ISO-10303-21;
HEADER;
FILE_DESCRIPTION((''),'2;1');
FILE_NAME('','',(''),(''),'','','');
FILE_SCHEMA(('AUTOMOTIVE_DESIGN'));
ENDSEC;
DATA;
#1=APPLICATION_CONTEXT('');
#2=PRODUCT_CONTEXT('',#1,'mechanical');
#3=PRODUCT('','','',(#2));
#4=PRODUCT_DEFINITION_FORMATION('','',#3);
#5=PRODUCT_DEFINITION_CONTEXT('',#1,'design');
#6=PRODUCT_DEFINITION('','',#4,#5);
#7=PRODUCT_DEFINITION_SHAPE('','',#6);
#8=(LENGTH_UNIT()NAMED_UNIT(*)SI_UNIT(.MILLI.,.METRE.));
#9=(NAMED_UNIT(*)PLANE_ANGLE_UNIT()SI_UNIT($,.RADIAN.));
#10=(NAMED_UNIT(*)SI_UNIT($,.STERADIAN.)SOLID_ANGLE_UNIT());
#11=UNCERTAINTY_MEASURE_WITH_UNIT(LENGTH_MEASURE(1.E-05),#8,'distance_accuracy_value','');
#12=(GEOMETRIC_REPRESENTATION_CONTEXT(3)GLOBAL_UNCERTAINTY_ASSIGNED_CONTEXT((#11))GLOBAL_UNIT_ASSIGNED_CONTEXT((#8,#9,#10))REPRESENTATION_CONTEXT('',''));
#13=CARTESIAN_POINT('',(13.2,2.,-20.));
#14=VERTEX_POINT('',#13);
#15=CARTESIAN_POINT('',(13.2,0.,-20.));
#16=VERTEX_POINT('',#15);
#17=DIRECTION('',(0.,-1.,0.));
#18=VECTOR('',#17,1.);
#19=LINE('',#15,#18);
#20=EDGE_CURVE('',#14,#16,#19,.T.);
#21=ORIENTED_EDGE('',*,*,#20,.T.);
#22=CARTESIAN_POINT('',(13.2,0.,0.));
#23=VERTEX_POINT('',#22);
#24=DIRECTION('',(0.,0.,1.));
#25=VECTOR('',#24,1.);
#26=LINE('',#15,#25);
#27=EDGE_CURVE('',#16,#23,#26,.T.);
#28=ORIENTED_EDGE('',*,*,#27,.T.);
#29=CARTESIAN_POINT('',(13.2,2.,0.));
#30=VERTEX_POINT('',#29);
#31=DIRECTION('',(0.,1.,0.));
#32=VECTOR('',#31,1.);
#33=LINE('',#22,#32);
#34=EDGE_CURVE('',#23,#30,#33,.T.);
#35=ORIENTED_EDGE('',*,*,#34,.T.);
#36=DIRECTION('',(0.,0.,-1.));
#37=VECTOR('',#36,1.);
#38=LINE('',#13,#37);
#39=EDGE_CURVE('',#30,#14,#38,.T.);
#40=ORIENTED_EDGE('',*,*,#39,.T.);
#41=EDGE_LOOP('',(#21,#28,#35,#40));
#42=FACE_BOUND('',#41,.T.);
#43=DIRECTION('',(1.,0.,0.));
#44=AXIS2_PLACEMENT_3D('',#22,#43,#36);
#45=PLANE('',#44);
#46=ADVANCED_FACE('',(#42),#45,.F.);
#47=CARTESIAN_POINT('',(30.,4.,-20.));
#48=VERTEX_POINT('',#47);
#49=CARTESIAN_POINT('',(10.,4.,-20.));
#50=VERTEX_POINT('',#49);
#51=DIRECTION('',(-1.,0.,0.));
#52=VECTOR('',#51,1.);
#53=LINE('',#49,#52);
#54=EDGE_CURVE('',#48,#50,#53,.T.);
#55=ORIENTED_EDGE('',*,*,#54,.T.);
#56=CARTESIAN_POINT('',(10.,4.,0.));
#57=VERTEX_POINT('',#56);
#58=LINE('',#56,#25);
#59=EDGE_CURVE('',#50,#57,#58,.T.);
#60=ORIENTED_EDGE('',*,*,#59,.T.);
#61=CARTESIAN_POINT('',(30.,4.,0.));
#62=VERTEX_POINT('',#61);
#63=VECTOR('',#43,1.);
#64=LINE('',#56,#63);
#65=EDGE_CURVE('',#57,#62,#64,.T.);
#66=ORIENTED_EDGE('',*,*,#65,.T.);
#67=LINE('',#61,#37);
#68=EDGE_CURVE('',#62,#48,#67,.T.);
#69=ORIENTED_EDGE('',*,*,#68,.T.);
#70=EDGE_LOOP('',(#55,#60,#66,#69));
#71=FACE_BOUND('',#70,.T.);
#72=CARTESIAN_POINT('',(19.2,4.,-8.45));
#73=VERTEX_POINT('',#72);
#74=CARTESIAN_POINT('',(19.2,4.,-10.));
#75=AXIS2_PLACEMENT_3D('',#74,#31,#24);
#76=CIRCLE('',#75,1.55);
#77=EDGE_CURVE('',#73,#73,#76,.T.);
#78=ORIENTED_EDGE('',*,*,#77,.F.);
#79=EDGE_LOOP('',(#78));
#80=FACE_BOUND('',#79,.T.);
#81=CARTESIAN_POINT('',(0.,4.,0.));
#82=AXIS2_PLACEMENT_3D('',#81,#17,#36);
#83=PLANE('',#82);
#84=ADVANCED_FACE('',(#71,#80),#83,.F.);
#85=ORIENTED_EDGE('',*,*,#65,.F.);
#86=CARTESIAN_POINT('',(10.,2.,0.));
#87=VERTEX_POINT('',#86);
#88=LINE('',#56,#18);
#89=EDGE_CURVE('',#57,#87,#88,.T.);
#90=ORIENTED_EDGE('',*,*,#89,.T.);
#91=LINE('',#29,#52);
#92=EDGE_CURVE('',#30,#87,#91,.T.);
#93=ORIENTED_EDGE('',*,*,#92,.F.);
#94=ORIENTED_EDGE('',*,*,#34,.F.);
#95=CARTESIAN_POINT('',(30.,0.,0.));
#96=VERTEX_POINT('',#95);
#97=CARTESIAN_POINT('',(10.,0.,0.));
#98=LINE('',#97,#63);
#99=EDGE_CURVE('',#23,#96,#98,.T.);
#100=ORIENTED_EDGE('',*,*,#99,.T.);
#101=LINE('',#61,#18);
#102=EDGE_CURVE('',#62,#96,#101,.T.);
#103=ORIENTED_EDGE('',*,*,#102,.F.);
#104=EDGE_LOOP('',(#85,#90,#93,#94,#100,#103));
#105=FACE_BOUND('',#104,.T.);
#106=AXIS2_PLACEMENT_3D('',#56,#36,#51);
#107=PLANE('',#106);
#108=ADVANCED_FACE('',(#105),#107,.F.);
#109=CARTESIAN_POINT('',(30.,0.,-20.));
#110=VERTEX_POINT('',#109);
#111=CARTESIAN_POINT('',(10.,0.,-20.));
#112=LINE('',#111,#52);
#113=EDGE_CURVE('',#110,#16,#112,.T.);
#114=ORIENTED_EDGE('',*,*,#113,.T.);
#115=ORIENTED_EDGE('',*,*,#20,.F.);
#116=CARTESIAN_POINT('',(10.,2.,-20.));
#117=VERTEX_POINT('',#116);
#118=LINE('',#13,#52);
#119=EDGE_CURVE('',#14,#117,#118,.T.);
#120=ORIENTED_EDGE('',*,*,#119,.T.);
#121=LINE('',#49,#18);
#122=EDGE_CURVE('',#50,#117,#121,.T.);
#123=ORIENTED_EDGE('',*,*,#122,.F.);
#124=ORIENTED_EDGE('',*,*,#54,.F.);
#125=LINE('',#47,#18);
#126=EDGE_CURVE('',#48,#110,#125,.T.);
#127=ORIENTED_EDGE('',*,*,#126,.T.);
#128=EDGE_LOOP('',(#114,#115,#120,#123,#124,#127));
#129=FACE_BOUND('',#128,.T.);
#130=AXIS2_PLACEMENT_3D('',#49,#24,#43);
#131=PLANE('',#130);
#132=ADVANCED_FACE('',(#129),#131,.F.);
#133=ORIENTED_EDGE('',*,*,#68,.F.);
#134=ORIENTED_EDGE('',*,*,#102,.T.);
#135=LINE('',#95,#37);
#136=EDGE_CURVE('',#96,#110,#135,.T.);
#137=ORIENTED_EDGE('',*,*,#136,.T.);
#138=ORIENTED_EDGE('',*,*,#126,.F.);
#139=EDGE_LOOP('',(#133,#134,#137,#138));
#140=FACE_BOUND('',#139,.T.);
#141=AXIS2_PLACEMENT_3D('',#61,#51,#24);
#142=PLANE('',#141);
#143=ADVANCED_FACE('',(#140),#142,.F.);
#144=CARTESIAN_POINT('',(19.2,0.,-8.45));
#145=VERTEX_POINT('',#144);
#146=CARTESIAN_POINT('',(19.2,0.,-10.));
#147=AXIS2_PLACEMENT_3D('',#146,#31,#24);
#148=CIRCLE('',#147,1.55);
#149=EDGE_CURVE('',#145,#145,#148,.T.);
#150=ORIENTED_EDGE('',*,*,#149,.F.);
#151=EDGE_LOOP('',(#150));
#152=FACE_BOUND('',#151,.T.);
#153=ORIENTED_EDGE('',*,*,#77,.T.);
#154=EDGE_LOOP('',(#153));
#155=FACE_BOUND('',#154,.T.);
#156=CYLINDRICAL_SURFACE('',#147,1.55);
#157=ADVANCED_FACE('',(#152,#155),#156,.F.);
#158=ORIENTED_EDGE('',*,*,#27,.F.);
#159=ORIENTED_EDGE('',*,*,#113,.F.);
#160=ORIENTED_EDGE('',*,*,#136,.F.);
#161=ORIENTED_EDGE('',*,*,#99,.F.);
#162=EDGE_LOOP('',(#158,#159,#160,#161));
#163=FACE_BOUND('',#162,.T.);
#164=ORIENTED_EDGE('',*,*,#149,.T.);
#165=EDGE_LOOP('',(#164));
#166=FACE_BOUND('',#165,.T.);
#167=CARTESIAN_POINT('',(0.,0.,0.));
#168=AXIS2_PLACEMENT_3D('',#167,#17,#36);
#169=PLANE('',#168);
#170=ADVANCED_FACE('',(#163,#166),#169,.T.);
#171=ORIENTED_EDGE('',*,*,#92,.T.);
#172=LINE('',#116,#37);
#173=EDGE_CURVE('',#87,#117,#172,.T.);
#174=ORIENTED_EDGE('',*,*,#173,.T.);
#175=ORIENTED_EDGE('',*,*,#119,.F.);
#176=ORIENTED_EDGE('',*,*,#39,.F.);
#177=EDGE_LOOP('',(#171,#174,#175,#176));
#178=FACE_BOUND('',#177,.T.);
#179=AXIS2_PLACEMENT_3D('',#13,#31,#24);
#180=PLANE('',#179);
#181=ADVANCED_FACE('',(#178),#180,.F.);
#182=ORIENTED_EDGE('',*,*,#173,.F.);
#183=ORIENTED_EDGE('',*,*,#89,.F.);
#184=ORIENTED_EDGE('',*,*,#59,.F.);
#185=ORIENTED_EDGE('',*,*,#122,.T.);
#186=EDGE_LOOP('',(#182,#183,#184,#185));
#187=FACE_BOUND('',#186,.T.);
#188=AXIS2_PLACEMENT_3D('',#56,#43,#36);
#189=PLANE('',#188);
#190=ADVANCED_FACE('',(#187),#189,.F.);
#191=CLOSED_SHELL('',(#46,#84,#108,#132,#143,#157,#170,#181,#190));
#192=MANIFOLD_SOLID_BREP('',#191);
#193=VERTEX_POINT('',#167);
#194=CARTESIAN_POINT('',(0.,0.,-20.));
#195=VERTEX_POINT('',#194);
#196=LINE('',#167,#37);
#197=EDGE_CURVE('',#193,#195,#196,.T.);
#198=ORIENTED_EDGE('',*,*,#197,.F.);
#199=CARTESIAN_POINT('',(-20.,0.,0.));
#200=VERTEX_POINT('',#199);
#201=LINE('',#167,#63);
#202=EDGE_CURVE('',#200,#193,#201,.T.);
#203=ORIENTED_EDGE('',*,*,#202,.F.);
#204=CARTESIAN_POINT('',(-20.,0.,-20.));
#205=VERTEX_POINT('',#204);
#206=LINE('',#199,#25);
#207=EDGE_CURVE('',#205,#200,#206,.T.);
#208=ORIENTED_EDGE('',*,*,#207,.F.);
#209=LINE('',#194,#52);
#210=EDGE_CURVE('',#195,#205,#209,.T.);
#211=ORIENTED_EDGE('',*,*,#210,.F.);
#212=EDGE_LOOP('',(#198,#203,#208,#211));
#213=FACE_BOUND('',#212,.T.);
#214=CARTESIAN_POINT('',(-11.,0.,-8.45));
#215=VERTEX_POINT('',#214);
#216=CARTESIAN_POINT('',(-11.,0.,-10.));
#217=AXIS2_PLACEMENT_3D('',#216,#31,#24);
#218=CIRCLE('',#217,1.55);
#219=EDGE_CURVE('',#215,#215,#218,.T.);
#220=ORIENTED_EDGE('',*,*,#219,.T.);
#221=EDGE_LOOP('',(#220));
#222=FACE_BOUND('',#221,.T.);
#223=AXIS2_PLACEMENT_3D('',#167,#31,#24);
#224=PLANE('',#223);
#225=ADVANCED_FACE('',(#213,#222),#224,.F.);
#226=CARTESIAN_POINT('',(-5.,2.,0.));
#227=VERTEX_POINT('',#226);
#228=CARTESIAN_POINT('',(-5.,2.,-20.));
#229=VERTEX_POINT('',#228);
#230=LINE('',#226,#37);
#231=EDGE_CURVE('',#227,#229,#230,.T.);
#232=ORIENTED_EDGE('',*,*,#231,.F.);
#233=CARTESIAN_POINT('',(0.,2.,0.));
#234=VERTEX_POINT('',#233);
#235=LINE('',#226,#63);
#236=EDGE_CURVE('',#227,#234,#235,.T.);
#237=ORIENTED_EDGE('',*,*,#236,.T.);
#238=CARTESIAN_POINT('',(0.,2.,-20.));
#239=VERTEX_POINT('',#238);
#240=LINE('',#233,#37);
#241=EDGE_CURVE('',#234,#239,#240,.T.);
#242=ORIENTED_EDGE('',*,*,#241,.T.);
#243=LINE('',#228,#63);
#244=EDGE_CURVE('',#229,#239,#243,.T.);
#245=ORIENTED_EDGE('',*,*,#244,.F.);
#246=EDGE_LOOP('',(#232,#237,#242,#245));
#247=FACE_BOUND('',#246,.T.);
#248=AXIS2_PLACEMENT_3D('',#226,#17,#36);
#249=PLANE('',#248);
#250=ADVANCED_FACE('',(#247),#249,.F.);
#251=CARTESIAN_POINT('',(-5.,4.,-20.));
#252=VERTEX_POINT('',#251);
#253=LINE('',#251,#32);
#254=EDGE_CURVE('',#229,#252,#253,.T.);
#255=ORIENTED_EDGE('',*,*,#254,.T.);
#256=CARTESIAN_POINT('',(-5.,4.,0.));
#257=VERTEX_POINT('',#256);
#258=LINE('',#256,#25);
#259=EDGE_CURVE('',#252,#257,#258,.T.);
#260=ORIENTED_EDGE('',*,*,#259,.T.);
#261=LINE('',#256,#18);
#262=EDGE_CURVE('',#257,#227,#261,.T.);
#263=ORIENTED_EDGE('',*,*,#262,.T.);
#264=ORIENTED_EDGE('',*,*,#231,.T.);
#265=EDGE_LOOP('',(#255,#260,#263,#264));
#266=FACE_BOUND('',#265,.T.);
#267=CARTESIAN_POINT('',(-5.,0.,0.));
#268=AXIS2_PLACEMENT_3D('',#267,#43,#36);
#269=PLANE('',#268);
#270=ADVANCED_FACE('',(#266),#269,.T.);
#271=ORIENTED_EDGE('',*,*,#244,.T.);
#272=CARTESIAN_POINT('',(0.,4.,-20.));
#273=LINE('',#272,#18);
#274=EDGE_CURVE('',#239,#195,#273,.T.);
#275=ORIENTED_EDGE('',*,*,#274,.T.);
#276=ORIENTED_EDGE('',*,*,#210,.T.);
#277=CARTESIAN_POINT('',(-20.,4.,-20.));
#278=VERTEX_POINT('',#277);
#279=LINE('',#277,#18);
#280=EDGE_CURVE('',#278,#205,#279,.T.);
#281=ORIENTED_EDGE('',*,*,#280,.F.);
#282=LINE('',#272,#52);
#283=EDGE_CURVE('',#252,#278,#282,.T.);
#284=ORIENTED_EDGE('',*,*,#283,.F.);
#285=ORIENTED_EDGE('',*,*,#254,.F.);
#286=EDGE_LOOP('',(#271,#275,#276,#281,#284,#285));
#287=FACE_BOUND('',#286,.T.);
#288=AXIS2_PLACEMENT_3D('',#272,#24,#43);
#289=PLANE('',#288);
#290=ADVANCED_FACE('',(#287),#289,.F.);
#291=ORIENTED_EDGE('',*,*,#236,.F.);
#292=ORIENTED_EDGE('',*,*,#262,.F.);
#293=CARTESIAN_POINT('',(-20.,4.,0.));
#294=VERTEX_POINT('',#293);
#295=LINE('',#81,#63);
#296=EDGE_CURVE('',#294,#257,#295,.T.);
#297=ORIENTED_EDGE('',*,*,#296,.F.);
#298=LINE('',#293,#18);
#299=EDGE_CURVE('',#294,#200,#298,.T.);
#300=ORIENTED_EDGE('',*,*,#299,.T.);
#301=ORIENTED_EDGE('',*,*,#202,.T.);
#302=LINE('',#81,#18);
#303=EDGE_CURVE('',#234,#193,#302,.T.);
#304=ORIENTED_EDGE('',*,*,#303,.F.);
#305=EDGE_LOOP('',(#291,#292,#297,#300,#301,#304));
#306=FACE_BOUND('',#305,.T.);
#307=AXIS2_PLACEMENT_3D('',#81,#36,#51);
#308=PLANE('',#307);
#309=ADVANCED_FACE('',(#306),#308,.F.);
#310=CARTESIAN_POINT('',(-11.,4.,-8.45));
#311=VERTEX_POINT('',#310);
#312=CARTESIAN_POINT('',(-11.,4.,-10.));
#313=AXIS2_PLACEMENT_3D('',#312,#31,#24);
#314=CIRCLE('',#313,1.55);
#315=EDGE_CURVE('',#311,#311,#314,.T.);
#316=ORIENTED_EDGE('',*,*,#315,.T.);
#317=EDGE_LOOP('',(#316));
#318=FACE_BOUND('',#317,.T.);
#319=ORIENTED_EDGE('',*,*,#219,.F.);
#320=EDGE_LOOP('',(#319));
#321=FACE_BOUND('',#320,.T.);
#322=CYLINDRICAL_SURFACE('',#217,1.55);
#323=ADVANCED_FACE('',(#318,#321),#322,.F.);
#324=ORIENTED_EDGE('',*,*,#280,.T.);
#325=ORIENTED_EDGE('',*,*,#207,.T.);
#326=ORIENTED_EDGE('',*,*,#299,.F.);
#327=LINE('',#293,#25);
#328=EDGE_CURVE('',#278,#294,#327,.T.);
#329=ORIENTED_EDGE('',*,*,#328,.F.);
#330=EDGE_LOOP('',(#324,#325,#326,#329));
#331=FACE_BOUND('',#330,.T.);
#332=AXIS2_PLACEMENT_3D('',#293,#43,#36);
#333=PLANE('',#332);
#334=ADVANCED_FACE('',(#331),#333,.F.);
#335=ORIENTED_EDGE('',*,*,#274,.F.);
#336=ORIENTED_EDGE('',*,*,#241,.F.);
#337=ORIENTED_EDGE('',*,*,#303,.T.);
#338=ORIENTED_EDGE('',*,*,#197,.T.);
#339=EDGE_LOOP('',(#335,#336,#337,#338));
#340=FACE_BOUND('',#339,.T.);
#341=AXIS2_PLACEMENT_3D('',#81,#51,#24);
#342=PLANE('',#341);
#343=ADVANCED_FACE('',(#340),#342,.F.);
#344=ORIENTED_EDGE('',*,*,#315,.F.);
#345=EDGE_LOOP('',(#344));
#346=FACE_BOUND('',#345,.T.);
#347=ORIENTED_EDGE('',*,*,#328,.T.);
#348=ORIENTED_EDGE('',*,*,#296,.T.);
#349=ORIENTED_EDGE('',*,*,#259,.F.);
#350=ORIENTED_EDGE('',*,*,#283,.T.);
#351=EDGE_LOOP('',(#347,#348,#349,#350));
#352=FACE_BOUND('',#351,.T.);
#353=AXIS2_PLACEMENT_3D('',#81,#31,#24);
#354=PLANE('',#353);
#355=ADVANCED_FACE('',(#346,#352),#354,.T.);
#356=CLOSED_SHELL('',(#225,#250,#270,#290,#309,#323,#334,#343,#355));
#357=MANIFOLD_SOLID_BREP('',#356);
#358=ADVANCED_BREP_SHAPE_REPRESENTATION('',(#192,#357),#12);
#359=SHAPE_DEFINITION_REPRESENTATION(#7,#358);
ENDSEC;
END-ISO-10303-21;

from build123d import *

# Parameters (mm, degrees)
SKETCH1_W             = 20
SKETCH1_H             = 20
BOSS_EXTRUDE1_DEPTH   = 4
BOSS_EXTRUDE1_2_DEPTH = 4
SKETCH2_W             = 20
SKETCH2_H             = 2
CUT_EXTRUDE1_DEPTH    = 5
SKETCH3_W             = 20
SKETCH3_H             = 2
CUT_EXTRUDE2_DEPTH    = 3.2
SKETCH5_R             = 1.55
CUT_EXTRUDE3_DEPTH    = 4
SKETCH6_R             = 1.55
CUT_EXTRUDE4_DEPTH    = 4


with BuildPart() as part:
    # Sketch1 → Boss-Extrude1 (new body)
    with BuildSketch(Plane(origin=(0, 0, 0), x_dir=(1, 0, 0), z_dir=(0, 1, 0))):
        with Locations((-10, 10)):
            Rectangle(SKETCH1_W, SKETCH1_H)
    extrude(amount=BOSS_EXTRUDE1_DEPTH)

    # Sketch2 → Cut-Extrude1 (cut)
    with BuildSketch(Plane(origin=(0, 0, 0), x_dir=(0, 0, -1), z_dir=(1, 0, 0))):
        with Locations((10, 3)):
            Rectangle(SKETCH2_W, SKETCH2_H)
    extrude(amount=-CUT_EXTRUDE1_DEPTH, mode=Mode.SUBTRACT)

    # Sketch5 → Cut-Extrude3 (cut)
    with BuildSketch(Plane(origin=(0, 4, 0), x_dir=(1, 0, 0), z_dir=(0, 1, 0))):
        with Locations((-11, 10)):
            Circle(SKETCH5_R)
    extrude(amount=-CUT_EXTRUDE3_DEPTH, mode=Mode.SUBTRACT)


with BuildPart() as body_2:
    # Sketch1 → Boss-Extrude1 2 (new body)
    with BuildSketch(Plane(origin=(0, 0, 0), x_dir=(1, 0, 0), z_dir=(0, 1, 0))):
        with Locations((20, 10)):
            Rectangle(SKETCH1_W, SKETCH1_H)
    extrude(amount=BOSS_EXTRUDE1_2_DEPTH)

    # Sketch3 → Cut-Extrude2 (cut)
    with BuildSketch(Plane.ZY.offset(-10)):
        with Locations((-10, 1)):
            Rectangle(SKETCH3_W, SKETCH3_H)
    extrude(amount=-CUT_EXTRUDE2_DEPTH, mode=Mode.SUBTRACT)

    # Sketch6 → Cut-Extrude4 (cut)
    with BuildSketch(Plane(origin=(0, 4, 0), x_dir=(1, 0, 0), z_dir=(0, 1, 0))):
        with Locations((19.2, 10)):
            Circle(SKETCH6_R)
    extrude(amount=-CUT_EXTRUDE4_DEPTH, mode=Mode.SUBTRACT)


solid = Compound([part.part, body_2.part])
